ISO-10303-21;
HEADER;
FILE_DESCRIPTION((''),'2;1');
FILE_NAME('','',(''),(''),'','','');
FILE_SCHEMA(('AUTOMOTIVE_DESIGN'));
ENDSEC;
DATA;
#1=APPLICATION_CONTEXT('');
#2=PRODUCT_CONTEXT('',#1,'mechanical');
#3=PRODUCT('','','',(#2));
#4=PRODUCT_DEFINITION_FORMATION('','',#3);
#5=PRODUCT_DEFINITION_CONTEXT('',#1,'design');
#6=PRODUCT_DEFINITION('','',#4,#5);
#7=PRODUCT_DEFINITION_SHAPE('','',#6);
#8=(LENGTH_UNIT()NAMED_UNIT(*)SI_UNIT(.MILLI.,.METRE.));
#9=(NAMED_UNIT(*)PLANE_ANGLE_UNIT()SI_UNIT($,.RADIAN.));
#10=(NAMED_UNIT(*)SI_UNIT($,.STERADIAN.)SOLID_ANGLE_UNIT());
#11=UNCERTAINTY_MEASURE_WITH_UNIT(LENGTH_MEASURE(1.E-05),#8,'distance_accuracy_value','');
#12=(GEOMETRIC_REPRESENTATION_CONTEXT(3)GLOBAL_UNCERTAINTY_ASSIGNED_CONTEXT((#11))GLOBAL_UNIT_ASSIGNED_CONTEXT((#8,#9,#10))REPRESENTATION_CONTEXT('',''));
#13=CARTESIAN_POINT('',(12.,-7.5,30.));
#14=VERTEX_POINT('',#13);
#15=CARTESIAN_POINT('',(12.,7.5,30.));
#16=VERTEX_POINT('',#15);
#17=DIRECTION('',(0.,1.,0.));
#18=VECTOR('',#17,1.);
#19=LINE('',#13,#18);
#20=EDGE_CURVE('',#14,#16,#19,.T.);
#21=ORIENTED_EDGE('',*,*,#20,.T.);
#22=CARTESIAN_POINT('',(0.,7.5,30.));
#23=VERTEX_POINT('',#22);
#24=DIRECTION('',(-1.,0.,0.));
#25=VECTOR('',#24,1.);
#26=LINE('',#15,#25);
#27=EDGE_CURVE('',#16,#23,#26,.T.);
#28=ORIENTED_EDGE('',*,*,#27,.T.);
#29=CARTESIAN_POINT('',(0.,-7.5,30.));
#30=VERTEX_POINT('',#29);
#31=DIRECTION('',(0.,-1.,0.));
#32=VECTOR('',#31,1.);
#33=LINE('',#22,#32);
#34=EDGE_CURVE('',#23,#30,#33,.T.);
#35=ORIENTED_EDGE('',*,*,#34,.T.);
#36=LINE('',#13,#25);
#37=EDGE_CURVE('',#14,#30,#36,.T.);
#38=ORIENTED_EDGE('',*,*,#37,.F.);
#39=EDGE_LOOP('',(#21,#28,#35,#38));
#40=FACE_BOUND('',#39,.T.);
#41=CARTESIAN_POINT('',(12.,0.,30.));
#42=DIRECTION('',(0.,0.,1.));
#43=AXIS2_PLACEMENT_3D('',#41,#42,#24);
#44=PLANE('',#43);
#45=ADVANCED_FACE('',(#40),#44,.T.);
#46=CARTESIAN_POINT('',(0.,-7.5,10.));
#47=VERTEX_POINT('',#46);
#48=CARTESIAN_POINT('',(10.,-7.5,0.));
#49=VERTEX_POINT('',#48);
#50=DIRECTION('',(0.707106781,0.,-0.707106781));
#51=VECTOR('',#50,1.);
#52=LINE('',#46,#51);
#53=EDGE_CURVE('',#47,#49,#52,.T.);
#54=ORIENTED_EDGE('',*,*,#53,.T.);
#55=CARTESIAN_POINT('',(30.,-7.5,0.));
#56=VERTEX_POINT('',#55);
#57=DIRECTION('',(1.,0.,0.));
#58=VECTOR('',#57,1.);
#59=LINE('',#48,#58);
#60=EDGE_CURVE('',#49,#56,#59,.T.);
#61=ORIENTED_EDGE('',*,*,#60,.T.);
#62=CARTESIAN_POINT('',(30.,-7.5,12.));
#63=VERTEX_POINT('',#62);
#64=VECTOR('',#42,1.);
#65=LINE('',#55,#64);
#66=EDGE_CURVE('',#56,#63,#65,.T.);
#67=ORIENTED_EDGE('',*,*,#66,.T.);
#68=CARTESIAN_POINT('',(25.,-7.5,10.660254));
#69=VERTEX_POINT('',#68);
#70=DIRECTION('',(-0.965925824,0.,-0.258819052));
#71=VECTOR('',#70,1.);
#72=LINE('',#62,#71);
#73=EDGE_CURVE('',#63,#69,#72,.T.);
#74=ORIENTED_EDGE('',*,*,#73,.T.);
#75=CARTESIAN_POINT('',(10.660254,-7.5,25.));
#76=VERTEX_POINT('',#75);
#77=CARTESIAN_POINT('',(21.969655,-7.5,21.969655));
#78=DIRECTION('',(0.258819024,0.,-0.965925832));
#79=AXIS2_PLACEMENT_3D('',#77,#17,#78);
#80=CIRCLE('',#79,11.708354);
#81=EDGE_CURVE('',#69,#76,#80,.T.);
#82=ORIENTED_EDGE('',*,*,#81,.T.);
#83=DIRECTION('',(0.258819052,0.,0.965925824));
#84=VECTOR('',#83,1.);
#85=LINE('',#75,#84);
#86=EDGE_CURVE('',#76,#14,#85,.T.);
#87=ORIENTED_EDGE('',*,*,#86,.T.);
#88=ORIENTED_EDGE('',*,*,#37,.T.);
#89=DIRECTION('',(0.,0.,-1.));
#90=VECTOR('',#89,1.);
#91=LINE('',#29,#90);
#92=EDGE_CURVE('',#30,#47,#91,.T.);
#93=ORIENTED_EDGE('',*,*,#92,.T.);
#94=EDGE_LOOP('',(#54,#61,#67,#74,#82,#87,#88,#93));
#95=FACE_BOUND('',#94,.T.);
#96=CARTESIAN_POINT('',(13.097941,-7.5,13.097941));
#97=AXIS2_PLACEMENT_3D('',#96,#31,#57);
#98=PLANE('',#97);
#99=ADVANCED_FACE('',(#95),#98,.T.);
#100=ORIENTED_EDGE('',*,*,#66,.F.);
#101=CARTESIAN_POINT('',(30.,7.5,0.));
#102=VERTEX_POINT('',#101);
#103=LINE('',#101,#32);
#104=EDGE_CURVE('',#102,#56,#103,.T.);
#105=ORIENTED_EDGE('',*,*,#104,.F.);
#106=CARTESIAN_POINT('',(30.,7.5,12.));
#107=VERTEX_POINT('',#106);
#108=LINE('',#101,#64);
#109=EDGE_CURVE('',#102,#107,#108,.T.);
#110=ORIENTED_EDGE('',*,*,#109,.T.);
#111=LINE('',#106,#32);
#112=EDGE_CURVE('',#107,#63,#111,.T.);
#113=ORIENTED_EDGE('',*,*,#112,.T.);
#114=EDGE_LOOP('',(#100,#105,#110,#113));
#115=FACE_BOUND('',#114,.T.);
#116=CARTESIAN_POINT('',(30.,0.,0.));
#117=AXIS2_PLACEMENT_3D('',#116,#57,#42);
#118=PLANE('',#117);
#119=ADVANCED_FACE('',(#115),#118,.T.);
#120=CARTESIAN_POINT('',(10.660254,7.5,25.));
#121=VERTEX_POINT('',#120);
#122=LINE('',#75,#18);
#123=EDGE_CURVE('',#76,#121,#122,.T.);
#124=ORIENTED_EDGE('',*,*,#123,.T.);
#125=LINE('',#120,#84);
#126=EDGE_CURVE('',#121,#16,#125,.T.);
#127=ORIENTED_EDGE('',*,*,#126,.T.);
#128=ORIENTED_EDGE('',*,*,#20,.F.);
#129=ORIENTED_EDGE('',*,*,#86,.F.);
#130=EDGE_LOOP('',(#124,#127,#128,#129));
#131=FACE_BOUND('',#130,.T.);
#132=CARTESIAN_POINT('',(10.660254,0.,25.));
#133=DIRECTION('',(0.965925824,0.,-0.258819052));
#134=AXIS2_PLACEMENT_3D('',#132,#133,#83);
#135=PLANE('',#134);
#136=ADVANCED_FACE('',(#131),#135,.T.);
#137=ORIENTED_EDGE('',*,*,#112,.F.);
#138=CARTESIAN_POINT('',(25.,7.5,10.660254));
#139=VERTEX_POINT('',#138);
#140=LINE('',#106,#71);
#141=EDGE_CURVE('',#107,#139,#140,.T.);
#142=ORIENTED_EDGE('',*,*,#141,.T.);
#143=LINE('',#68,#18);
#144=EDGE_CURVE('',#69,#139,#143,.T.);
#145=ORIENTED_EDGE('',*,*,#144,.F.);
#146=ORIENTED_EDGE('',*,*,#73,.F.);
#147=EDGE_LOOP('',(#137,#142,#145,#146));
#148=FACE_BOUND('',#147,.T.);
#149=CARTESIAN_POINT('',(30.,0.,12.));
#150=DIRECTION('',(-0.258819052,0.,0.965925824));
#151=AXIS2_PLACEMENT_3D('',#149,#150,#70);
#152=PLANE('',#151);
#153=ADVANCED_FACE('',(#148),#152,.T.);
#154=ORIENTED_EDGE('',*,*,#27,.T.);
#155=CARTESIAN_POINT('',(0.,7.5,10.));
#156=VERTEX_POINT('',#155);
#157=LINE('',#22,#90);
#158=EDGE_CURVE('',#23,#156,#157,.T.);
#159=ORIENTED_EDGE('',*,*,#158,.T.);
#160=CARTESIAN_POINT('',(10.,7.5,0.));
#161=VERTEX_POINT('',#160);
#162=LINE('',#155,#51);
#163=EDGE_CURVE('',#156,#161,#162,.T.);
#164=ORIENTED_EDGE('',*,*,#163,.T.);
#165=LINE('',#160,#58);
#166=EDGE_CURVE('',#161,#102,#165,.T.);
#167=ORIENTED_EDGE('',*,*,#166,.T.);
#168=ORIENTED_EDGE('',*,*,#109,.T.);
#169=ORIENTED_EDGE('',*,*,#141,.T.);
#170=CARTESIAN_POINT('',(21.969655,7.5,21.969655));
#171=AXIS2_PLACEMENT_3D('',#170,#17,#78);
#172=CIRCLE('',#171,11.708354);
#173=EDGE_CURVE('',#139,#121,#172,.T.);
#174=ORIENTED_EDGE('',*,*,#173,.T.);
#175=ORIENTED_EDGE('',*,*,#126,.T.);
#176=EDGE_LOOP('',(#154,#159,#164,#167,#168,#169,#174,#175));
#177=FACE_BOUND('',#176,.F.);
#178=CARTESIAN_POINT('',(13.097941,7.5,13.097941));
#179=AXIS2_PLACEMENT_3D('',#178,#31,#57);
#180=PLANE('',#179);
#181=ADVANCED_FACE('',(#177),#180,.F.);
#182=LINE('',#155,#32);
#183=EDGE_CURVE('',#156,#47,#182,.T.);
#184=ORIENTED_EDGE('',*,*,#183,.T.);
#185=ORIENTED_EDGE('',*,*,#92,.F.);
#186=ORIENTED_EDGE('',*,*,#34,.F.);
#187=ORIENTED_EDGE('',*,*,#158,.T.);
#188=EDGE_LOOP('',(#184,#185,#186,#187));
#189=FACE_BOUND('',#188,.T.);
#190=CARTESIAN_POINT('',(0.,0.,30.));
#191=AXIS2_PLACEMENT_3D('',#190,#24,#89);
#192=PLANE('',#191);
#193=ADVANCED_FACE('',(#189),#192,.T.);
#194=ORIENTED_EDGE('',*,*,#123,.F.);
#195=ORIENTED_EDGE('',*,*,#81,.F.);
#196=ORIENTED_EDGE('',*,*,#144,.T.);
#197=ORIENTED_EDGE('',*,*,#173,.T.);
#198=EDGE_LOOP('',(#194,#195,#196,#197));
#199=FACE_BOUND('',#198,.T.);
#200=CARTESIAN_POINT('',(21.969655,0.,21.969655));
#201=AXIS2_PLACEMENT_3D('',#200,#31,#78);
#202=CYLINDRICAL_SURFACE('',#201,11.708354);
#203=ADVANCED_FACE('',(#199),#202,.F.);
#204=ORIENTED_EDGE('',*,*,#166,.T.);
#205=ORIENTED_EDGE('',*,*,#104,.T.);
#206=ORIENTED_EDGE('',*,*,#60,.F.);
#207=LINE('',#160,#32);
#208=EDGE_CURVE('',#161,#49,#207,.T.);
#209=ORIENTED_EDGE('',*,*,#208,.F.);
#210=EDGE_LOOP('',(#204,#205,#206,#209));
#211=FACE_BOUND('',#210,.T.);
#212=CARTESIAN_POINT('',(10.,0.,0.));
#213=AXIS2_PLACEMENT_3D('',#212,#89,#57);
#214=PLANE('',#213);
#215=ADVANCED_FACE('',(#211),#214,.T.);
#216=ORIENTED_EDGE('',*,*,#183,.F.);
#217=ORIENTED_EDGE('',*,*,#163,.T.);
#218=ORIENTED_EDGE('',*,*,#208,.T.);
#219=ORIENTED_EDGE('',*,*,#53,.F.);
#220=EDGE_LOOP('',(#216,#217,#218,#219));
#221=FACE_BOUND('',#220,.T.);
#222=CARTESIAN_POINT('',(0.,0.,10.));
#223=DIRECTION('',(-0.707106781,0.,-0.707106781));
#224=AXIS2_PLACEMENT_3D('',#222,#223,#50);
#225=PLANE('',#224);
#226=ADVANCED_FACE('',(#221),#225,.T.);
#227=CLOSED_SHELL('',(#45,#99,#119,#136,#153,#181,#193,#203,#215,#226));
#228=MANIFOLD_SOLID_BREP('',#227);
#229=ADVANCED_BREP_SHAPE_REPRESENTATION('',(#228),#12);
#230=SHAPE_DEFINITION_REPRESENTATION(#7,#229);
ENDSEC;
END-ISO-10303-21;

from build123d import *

# Parameters (mm, degrees)
F1_DEPTH = 7.5


with BuildPart() as f1:
    # F0 (on Front) → F1 (new body, symmetric)
    with BuildSketch(Plane.XZ):
        with BuildLine():
            Line((12, 30), (0, 30))
            Line((0, 30), (0, 10))
            Line((0, 10), (10, 0))
            Line((10, 0), (30, 0))
            Line((30, 0), (30, 12))
            Line((30, 12), (25, 10.660254))
            ThreePointArc((25, 10.660254), (13.690599, 13.690599), (10.660254, 25))
            Line((10.660254, 25), (12, 30))
        make_face()
    extrude(amount=F1_DEPTH, both=True)


solid = f1.part
